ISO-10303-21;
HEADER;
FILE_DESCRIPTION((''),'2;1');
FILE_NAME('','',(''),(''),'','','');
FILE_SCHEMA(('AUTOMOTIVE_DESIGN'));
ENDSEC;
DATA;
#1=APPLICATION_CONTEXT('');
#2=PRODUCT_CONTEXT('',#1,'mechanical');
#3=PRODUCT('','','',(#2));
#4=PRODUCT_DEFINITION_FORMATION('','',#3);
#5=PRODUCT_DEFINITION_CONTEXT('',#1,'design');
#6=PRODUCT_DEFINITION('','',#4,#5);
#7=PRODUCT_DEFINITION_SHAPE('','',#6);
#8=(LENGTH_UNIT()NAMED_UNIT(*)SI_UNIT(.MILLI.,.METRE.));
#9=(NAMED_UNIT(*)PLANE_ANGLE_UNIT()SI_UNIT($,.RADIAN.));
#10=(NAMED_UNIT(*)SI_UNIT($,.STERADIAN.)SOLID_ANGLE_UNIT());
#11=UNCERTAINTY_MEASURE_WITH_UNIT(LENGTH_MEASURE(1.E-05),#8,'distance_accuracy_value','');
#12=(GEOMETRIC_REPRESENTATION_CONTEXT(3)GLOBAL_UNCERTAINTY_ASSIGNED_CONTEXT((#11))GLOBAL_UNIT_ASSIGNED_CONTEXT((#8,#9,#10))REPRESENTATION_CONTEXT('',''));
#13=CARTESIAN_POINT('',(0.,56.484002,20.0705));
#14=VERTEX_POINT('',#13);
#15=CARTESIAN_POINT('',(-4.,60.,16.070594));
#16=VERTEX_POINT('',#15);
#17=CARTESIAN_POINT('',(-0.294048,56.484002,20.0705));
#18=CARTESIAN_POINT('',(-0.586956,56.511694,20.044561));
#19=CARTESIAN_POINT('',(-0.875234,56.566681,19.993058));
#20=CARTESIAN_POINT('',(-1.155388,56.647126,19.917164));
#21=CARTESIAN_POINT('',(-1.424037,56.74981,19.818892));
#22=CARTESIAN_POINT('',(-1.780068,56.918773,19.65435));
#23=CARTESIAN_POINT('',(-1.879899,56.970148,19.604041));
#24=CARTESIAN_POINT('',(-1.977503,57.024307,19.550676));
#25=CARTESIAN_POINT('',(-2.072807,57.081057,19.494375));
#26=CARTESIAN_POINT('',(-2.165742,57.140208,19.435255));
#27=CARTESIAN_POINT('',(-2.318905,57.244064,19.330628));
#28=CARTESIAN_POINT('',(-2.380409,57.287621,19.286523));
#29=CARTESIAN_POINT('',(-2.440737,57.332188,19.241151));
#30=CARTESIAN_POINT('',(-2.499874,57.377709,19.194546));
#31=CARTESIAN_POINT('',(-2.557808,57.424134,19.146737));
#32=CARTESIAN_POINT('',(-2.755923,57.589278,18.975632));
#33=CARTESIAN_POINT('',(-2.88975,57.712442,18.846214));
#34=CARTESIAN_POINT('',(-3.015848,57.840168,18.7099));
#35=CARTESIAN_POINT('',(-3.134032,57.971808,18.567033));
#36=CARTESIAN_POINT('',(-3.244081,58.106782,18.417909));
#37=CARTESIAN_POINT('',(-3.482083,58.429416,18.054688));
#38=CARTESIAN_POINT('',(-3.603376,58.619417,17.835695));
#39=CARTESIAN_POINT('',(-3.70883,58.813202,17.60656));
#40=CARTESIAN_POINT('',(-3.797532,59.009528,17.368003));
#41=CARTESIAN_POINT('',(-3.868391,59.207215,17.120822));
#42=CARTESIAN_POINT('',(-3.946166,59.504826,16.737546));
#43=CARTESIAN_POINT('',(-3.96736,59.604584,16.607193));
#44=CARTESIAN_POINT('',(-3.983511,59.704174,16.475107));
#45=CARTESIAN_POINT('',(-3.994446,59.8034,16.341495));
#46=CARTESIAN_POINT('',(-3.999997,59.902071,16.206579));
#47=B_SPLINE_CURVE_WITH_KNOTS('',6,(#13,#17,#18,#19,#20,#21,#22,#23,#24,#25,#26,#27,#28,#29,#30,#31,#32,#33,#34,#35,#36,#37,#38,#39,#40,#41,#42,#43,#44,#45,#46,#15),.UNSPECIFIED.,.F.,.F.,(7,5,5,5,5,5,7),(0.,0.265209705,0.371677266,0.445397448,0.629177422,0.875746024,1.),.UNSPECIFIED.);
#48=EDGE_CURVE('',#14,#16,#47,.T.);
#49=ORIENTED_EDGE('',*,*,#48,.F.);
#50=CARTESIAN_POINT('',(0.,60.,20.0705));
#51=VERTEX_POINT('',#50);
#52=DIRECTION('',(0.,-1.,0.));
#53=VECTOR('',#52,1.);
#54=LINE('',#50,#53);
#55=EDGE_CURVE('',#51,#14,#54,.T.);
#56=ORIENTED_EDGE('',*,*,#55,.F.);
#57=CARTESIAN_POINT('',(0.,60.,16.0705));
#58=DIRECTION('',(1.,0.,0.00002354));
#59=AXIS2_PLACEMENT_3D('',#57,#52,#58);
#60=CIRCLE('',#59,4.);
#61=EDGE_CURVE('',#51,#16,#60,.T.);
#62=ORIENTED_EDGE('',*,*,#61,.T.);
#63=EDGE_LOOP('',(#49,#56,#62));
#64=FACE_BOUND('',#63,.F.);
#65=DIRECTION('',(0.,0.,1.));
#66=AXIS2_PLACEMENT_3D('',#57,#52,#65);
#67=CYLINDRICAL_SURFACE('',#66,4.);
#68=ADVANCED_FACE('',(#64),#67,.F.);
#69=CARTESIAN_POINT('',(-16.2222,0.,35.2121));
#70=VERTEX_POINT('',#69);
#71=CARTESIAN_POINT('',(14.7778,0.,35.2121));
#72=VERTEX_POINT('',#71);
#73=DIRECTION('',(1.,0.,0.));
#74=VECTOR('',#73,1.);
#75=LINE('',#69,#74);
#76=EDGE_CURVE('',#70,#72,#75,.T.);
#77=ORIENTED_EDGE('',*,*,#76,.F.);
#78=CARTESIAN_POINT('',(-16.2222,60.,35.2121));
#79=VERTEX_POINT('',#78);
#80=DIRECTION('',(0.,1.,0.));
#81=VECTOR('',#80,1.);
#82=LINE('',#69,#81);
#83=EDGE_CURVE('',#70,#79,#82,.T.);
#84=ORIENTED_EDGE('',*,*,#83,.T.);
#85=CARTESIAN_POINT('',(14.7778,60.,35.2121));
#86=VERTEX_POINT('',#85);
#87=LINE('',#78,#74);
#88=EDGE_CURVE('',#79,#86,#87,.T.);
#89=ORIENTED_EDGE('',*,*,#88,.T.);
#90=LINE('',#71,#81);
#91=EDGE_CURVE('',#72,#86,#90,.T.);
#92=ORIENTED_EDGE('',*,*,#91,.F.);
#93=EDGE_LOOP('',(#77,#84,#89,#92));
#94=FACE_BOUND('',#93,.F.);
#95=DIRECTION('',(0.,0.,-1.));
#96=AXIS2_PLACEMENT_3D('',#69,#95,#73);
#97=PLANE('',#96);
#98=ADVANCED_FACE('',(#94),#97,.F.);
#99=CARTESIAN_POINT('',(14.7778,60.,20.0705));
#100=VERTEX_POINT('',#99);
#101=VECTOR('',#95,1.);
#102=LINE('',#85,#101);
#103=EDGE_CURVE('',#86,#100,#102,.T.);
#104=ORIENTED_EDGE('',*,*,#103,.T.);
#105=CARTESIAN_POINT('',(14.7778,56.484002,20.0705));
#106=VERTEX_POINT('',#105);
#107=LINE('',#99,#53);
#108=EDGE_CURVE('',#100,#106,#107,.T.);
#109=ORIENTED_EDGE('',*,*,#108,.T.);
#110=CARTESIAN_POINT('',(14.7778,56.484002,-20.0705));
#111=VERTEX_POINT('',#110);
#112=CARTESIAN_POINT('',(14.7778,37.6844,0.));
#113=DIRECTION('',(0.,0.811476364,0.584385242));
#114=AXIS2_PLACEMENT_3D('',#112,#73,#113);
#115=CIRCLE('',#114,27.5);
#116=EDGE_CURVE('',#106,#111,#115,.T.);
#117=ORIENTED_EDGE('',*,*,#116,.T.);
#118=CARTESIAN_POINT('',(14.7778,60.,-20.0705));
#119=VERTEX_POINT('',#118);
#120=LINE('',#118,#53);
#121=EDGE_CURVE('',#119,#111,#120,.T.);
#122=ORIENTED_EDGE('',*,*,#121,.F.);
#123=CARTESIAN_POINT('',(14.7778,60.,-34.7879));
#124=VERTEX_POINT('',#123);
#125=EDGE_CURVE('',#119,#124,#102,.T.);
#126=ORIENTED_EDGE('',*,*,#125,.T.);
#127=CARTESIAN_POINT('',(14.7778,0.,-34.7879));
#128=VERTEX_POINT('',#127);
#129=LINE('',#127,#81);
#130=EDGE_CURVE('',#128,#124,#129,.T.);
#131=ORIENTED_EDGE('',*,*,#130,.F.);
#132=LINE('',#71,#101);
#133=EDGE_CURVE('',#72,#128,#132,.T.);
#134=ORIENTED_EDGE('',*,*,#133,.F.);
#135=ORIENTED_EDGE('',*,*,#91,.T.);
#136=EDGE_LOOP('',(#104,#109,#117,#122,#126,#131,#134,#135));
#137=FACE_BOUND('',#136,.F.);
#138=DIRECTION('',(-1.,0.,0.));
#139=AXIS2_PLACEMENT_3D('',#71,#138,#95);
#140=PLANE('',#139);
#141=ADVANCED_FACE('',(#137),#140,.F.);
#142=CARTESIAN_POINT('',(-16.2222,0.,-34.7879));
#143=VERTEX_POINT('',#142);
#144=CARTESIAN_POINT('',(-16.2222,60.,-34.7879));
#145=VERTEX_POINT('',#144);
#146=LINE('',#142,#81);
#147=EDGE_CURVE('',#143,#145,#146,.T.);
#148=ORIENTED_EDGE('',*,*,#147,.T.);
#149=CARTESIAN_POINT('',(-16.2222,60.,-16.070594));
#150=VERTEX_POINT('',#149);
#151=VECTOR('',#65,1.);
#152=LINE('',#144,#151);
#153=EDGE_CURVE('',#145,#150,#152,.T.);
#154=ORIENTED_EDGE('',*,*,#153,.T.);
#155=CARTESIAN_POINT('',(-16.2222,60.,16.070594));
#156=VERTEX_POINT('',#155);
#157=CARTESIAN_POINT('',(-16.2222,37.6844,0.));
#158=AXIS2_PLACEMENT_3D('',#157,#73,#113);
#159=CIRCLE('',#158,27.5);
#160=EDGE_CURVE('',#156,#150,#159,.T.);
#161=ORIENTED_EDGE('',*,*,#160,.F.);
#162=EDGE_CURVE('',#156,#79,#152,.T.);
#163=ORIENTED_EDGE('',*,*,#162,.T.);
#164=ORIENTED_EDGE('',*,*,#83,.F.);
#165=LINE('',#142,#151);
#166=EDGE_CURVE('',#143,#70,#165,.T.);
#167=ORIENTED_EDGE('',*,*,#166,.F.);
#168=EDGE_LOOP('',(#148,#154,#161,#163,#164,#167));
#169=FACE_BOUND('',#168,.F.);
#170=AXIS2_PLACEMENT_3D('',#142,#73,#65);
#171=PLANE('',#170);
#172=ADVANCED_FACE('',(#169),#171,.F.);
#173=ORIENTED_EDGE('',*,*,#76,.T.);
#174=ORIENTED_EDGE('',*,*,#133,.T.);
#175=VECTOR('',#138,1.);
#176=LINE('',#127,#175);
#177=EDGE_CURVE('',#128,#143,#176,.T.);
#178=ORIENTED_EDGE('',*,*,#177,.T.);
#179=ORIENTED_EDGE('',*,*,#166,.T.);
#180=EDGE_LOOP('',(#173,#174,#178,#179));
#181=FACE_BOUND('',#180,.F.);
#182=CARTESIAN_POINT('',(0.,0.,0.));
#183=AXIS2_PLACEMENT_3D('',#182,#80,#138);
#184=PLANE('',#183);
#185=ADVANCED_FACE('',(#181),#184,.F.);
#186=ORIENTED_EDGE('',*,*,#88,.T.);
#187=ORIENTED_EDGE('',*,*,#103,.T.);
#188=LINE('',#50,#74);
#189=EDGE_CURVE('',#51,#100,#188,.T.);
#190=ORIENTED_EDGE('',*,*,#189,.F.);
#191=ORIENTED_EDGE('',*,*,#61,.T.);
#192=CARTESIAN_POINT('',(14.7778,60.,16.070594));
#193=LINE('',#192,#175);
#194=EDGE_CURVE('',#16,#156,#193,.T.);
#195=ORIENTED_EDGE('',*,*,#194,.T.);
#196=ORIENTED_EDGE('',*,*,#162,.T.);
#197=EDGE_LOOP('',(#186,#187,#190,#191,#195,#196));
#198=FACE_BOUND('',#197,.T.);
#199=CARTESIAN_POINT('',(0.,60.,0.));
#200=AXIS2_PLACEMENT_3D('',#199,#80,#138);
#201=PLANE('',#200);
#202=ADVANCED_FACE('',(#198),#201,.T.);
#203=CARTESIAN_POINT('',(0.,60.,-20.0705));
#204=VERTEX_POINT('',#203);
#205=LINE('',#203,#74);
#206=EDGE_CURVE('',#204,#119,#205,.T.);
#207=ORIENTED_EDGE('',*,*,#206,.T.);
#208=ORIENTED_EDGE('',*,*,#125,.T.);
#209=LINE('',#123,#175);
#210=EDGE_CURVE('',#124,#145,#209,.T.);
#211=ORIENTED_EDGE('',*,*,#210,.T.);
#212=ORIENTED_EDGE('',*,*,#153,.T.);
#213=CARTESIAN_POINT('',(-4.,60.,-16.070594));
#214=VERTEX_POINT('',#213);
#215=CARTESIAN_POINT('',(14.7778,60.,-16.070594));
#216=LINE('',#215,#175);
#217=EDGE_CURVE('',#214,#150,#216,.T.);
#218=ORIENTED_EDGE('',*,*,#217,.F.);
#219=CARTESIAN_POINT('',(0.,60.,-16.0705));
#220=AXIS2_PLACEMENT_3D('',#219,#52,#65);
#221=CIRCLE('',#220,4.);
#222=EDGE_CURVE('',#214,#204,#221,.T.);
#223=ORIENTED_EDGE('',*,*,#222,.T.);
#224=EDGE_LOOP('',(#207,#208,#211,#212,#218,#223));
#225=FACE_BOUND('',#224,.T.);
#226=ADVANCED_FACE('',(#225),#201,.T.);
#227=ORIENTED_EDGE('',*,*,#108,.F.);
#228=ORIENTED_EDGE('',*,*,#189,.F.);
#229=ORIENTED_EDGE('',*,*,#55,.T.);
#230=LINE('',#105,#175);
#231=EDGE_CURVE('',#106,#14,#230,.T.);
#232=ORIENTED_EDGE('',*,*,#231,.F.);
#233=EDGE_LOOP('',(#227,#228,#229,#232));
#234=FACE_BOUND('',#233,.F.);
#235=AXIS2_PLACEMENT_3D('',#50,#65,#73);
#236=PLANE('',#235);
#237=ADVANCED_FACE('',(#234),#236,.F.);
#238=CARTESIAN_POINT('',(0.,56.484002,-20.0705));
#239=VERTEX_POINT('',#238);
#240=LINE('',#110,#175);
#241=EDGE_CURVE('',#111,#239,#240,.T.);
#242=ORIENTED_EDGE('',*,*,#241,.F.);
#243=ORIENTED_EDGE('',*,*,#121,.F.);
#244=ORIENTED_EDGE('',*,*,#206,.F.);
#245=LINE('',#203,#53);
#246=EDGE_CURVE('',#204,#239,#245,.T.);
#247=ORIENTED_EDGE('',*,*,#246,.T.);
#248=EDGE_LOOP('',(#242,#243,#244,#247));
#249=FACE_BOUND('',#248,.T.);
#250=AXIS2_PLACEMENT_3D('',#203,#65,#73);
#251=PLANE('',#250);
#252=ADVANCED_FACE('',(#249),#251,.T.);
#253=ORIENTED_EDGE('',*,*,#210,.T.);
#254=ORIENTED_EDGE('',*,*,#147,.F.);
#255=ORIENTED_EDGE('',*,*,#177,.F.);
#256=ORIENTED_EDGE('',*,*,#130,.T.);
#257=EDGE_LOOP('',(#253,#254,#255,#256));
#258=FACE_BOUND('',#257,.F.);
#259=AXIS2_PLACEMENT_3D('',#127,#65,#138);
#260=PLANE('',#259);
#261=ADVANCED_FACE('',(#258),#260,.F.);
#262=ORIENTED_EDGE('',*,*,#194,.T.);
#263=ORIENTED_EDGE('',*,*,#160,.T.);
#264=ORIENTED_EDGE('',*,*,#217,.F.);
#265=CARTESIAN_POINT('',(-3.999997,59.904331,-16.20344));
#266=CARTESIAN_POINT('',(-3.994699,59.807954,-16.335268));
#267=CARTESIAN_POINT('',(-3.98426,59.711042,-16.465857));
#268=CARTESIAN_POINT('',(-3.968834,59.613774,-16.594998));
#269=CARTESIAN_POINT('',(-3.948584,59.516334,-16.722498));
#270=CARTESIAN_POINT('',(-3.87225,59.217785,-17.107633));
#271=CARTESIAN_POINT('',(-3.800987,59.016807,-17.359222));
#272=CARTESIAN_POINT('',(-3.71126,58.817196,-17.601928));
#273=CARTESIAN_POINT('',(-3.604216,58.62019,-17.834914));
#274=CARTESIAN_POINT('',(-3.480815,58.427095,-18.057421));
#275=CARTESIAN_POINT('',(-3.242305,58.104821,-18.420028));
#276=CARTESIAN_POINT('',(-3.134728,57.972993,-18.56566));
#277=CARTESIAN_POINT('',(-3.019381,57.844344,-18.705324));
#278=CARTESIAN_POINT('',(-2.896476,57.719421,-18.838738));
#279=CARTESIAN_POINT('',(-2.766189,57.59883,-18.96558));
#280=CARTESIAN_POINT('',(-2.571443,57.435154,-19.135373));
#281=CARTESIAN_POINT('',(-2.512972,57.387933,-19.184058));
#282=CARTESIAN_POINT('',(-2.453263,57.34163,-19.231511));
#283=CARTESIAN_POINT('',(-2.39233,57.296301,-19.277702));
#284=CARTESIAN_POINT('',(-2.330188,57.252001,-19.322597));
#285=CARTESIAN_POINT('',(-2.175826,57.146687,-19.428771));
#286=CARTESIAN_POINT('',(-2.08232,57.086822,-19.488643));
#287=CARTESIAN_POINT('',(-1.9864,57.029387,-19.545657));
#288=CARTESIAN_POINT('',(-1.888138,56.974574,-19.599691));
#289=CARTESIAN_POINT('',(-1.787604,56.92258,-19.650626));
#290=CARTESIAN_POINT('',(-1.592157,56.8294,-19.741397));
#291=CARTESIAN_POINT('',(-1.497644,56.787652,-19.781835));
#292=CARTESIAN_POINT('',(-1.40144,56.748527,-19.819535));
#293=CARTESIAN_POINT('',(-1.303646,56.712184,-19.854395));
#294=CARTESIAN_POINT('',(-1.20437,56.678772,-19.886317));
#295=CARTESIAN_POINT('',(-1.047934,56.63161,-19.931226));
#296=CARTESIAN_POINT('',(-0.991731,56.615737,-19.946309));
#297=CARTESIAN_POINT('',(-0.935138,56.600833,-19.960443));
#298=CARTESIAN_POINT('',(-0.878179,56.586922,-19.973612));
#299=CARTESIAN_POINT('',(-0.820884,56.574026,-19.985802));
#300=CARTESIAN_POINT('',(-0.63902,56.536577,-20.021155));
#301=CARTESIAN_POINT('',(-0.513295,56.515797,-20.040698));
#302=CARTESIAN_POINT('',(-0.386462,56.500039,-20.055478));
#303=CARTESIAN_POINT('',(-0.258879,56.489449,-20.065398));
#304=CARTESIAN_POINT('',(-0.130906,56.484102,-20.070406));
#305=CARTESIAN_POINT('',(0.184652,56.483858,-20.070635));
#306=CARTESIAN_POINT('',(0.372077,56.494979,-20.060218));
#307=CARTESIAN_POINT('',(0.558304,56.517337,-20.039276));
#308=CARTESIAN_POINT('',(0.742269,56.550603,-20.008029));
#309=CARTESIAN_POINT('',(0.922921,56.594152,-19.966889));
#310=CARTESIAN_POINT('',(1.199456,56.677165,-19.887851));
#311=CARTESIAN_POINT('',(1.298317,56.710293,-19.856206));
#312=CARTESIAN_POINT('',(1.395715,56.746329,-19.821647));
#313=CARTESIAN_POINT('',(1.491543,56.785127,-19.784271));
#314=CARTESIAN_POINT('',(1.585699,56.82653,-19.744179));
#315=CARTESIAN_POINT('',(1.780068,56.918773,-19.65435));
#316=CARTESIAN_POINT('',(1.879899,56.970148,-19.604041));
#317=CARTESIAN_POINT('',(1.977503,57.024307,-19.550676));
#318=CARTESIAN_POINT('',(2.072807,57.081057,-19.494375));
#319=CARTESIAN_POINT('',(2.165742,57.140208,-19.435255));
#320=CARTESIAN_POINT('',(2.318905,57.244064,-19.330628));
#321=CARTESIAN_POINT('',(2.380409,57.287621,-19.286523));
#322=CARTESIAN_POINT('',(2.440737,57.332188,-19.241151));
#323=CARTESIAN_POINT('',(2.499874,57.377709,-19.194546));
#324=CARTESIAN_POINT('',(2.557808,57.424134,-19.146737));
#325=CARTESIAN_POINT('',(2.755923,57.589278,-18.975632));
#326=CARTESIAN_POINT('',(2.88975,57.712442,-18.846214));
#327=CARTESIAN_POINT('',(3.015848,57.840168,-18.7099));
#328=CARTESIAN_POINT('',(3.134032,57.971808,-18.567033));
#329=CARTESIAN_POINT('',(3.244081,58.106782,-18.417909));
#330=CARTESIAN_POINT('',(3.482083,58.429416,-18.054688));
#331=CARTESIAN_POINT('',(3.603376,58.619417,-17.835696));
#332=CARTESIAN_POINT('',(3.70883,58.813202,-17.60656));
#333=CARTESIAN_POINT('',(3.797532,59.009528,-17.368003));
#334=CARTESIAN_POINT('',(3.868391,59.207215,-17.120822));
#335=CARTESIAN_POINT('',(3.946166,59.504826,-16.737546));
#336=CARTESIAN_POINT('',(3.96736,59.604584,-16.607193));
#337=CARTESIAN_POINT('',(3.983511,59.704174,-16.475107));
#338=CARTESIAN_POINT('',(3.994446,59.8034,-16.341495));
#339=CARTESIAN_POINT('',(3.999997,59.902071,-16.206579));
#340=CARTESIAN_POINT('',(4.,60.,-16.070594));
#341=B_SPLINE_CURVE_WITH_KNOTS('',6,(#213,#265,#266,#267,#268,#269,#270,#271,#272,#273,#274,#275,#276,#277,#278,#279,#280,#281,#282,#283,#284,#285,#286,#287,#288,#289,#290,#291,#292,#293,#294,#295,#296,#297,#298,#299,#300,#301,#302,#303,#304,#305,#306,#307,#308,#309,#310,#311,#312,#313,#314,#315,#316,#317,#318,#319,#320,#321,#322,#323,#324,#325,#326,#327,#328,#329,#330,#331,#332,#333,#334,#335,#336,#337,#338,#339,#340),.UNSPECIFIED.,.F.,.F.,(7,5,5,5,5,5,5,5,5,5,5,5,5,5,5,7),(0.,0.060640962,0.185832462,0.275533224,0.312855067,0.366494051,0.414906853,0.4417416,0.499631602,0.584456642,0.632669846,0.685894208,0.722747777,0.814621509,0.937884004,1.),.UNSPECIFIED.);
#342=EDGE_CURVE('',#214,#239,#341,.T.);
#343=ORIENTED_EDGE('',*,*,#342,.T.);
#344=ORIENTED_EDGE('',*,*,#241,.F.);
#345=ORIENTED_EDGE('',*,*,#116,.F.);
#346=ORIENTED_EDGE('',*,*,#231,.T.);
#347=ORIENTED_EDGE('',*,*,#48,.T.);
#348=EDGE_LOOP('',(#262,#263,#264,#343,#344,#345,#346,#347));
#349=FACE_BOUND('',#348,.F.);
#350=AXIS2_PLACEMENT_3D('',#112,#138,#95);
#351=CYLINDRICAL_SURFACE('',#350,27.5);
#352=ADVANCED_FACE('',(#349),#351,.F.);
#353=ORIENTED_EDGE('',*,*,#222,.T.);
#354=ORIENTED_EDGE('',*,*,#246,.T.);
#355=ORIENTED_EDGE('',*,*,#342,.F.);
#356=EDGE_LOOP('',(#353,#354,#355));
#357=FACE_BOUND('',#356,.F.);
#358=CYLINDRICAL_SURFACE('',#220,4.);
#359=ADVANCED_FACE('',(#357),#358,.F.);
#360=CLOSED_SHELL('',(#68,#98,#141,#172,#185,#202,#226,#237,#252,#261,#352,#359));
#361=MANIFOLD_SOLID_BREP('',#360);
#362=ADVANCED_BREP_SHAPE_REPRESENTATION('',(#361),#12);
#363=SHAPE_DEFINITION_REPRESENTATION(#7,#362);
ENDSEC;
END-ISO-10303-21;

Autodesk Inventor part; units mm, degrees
ref_plane "YZ Plane" through (0, 0, 0) normal (1, 0, 0) x (0, 1, 0)
ref_plane "XZ Plane" through (0, 0, 0) normal (0, 1, 0) x (-1, 0, 0)
ref_plane "XY Plane" through (0, 0, 0) normal (0, 0, 1) x (1, 0, 0)
sketch "Sketch1" plane through (0, 0, 0) normal (0, 1, 0) x (-1, 0, 0)
  line L0 (16.2222, 35.2121) -> (-14.7778, 35.2121)
  line L1 (-14.7778, 35.2121) -> (-14.7778, -34.7879)
  line L2 (-14.7778, -34.7879) -> (16.2222, -34.7879)
  line L3 (16.2222, -34.7879) -> (16.2222, 35.2121)
  point P0 (0, 0)
  dimension "d0" = 70
  dimension "d1" = 31
extrude "Extrusion1" add sketch "Sketch1" along normal blind 60
sketch "Sketch2" plane through (0, 60, 0) normal (0, 1, 0) x (1, 0, 0)
  line L0 (0, -17.35) -> (0, 17.35)
  point P0 (0, 0)
  point P1 (0, 0)
  dimension "d4" = 34.7
sketch "Sketch3" plane through (14.7778, 0, 35.2121) normal (1, 0, 0) x (0, 0, -1)
  circle A0 centre (35.2121, 37.6844) radius 27.5
  point P0 (35.2121, 0)
  dimension "d5" = 55
hole "Hole1" at (14.7778, 37.6844, 0) direction (-1, 0, 0) diameter 55 end through all
sketch "Sketch4" plane through (0, 60, 0) normal (0, 1, 0) x (1, 0, 0)
  line L0 (14.7778, -16.0705) -> (-16.2222, -16.0705) projected
  circle A0 centre (0, -16.0705) radius 4
  point P0 (0, 0)
  dimension "d13" = 8
sketch "Sketch5" plane through (0, 60, 0) normal (0, 1, 0) x (1, 0, 0)
  line L0 (-16.2222, 16.0705) -> (14.7778, 16.0705) projected
  circle A0 centre (0, 16.0705) radius 4
  point P0 (0, 0)
  dimension "d14" = 8
hole "Hole2" at (0, 60, 16.0705) direction (0, -1, 0) diameter 8 depth 8 tip angle 118
hole "Hole3" at (0, 60, -16.0705) direction (0, -1, 0) diameter 8 depth 8 tip angle 118
sketch "Sketch6" plane through (0, 60, 0) normal (0, 1, 0) x (1, 0, 0)
  arc A0 (-4, -16.0705) -> (4, -16.0705) centre (0, -16.0705) ccw projected
  line L0 (0, -20.0705) -> (14.7778, -20.0705)
  line L1 (14.7778, -20.0705) -> (14.7778, -16.0705)
  line L2 (14.7778, -16.0705) -> (0, -16.0705)
  line L3 (14.7778, -16.0705) -> (4, -16.0705) projected
  line L4 (0, -16.0705) -> (0, -20.0705)
  point P0 (0, 0)
extrude "Extrusion2" cut sketch "Sketch6" against normal blind 10 contours A0 L2 L1 L0
sketch "Sketch7" plane through (0, 60, 0) normal (0, 1, 0) x (1, 0, 0)
  arc A0 (4, 16.0705) -> (-4, 16.0705) centre (0, 16.0705) ccw projected
  line L0 (0, 20.0705) -> (14.7778, 20.0705)
  line L1 (14.7778, 16.0705) -> (14.7778, 34.7879) projected
  line L2 (14.7778, 20.0705) -> (14.7778, 16.0705)
  line L3 (14.7778, 16.0705) -> (0, 16.0705)
  line L4 (0, 16.0705) -> (0, 20.0705)
  point P0 (0, 0)
extrude "Extrusion3" cut sketch "Sketch7" against normal blind 10
properties part number "Noke_holder"
